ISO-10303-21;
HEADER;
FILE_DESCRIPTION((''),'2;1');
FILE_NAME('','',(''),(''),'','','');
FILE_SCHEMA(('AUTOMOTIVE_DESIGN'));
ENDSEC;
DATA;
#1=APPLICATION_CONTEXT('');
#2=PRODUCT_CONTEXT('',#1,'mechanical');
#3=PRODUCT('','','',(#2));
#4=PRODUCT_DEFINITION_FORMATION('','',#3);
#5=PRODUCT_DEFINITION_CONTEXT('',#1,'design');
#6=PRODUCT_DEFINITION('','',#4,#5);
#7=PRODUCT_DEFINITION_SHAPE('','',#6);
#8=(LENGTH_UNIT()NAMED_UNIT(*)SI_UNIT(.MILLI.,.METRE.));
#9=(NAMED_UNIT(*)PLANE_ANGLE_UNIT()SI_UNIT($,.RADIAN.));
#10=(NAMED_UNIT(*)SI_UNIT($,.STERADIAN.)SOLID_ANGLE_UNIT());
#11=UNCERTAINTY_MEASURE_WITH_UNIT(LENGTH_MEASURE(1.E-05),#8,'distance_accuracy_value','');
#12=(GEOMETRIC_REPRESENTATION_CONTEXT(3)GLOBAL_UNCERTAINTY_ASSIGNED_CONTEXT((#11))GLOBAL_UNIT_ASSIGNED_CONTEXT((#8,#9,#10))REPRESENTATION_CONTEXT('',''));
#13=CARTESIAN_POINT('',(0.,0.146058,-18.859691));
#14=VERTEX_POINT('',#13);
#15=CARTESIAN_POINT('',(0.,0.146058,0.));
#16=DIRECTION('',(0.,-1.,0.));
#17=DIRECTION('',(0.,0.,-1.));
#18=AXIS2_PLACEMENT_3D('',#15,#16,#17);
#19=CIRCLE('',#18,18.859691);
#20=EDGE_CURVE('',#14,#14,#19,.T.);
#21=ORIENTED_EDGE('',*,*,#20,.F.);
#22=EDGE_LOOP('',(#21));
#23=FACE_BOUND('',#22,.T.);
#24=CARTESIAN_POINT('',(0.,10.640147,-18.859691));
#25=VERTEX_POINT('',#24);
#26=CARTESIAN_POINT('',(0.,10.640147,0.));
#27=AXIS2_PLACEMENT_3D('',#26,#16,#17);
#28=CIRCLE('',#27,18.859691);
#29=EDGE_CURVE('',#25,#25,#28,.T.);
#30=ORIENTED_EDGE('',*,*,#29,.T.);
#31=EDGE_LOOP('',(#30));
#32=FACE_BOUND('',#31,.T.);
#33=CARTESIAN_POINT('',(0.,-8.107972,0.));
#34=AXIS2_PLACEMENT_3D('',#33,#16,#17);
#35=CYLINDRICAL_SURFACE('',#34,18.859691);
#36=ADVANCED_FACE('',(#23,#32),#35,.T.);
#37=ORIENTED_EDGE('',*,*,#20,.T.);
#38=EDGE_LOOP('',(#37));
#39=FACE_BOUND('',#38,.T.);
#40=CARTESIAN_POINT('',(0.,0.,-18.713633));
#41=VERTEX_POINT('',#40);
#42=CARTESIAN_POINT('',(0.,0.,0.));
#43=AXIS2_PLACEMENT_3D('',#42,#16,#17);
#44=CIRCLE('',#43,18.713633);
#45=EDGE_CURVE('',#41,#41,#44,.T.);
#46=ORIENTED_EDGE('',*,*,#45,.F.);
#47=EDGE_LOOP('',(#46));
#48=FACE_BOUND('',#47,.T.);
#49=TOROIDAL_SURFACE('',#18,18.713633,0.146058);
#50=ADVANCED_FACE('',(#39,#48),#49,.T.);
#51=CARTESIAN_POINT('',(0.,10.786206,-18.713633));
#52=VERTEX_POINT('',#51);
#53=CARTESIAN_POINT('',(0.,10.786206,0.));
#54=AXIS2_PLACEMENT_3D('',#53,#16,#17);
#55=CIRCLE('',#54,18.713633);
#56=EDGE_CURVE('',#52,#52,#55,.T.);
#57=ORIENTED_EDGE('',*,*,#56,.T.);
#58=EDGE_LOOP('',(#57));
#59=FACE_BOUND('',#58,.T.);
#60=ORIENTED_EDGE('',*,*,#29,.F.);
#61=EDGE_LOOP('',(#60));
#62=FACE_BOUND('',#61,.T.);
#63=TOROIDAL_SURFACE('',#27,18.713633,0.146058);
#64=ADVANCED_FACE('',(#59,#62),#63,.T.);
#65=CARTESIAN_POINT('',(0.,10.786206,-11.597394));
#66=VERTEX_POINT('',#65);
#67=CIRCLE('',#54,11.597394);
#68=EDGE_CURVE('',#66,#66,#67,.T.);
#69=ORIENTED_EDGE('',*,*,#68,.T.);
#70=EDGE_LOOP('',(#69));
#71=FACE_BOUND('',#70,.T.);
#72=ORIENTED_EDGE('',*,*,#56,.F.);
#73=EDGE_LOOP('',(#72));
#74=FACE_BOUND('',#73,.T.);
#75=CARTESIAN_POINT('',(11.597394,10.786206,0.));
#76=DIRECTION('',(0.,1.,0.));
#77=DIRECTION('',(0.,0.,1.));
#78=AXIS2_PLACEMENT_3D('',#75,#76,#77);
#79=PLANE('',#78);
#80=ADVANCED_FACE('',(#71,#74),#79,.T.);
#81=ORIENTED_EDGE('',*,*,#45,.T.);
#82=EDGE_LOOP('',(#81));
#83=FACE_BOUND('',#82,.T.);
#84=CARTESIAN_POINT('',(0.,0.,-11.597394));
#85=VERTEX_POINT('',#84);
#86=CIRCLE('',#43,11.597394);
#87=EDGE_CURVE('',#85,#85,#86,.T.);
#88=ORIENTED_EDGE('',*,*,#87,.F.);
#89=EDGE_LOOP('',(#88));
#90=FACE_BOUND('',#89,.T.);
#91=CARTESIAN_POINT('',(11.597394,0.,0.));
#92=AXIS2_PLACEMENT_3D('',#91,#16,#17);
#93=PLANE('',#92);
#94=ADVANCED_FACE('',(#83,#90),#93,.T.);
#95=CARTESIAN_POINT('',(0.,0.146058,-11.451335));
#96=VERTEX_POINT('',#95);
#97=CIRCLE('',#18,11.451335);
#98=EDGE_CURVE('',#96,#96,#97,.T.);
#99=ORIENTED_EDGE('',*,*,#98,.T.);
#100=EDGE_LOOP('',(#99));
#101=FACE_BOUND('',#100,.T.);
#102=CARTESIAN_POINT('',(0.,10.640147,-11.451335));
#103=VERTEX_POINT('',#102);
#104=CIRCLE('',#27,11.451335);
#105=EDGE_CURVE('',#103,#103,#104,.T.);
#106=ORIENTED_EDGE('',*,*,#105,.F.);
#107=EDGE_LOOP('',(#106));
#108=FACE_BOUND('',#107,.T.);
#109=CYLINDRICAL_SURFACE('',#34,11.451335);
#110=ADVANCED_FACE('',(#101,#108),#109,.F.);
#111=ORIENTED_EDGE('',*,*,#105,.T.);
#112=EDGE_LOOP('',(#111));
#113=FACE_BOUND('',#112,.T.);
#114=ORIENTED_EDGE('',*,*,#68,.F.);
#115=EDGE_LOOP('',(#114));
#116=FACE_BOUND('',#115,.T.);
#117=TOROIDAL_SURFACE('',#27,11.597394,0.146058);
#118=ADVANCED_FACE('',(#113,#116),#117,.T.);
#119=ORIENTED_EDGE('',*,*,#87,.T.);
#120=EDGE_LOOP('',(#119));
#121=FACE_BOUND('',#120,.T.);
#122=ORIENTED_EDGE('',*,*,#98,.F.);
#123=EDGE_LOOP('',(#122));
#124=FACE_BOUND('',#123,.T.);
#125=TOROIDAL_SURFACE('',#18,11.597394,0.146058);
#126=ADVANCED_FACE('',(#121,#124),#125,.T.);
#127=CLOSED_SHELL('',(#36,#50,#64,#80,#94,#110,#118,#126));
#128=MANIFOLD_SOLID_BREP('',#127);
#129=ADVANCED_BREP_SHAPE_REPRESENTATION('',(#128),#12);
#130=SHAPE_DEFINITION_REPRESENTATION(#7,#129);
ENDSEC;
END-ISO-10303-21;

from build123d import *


with BuildPart() as part:
    # Toroidal Core → Revolve2 (revolve)
    with BuildSketch(Plane.XY, mode=Mode.PRIVATE) as revolve2_sk:
        with BuildLine():
            Line((11.59739394, 0), (18.713632535, 0))
            ThreePointArc((18.713632535, 0), (18.816911461, 0.042779532), (18.859690994, 0.146058459))
            Line((18.859690994, 0.146058459), (18.859690994, 10.640147279))
            ThreePointArc((18.859690994, 10.640147279), (18.816911461, 10.743426205), (18.713632535, 10.786205737))
            Line((18.713632535, 10.786205737), (11.59739394, 10.786205737))
            ThreePointArc((11.59739394, 10.786205737), (11.494115013, 10.743426205), (11.451335481, 10.640147279))
            Line((11.451335481, 10.640147279), (11.451335481, 0.146058459))
            ThreePointArc((11.451335481, 0.146058459), (11.494115013, 0.042779532), (11.59739394, 0))
        make_face()
    revolve(revolve2_sk.sketch.rotate(Axis((0, -8.107972275, 0), (0, 1, 0)), 90), axis=Axis((0, -8.107972275, 0), (0, 1, 0)))


solid = part.part
